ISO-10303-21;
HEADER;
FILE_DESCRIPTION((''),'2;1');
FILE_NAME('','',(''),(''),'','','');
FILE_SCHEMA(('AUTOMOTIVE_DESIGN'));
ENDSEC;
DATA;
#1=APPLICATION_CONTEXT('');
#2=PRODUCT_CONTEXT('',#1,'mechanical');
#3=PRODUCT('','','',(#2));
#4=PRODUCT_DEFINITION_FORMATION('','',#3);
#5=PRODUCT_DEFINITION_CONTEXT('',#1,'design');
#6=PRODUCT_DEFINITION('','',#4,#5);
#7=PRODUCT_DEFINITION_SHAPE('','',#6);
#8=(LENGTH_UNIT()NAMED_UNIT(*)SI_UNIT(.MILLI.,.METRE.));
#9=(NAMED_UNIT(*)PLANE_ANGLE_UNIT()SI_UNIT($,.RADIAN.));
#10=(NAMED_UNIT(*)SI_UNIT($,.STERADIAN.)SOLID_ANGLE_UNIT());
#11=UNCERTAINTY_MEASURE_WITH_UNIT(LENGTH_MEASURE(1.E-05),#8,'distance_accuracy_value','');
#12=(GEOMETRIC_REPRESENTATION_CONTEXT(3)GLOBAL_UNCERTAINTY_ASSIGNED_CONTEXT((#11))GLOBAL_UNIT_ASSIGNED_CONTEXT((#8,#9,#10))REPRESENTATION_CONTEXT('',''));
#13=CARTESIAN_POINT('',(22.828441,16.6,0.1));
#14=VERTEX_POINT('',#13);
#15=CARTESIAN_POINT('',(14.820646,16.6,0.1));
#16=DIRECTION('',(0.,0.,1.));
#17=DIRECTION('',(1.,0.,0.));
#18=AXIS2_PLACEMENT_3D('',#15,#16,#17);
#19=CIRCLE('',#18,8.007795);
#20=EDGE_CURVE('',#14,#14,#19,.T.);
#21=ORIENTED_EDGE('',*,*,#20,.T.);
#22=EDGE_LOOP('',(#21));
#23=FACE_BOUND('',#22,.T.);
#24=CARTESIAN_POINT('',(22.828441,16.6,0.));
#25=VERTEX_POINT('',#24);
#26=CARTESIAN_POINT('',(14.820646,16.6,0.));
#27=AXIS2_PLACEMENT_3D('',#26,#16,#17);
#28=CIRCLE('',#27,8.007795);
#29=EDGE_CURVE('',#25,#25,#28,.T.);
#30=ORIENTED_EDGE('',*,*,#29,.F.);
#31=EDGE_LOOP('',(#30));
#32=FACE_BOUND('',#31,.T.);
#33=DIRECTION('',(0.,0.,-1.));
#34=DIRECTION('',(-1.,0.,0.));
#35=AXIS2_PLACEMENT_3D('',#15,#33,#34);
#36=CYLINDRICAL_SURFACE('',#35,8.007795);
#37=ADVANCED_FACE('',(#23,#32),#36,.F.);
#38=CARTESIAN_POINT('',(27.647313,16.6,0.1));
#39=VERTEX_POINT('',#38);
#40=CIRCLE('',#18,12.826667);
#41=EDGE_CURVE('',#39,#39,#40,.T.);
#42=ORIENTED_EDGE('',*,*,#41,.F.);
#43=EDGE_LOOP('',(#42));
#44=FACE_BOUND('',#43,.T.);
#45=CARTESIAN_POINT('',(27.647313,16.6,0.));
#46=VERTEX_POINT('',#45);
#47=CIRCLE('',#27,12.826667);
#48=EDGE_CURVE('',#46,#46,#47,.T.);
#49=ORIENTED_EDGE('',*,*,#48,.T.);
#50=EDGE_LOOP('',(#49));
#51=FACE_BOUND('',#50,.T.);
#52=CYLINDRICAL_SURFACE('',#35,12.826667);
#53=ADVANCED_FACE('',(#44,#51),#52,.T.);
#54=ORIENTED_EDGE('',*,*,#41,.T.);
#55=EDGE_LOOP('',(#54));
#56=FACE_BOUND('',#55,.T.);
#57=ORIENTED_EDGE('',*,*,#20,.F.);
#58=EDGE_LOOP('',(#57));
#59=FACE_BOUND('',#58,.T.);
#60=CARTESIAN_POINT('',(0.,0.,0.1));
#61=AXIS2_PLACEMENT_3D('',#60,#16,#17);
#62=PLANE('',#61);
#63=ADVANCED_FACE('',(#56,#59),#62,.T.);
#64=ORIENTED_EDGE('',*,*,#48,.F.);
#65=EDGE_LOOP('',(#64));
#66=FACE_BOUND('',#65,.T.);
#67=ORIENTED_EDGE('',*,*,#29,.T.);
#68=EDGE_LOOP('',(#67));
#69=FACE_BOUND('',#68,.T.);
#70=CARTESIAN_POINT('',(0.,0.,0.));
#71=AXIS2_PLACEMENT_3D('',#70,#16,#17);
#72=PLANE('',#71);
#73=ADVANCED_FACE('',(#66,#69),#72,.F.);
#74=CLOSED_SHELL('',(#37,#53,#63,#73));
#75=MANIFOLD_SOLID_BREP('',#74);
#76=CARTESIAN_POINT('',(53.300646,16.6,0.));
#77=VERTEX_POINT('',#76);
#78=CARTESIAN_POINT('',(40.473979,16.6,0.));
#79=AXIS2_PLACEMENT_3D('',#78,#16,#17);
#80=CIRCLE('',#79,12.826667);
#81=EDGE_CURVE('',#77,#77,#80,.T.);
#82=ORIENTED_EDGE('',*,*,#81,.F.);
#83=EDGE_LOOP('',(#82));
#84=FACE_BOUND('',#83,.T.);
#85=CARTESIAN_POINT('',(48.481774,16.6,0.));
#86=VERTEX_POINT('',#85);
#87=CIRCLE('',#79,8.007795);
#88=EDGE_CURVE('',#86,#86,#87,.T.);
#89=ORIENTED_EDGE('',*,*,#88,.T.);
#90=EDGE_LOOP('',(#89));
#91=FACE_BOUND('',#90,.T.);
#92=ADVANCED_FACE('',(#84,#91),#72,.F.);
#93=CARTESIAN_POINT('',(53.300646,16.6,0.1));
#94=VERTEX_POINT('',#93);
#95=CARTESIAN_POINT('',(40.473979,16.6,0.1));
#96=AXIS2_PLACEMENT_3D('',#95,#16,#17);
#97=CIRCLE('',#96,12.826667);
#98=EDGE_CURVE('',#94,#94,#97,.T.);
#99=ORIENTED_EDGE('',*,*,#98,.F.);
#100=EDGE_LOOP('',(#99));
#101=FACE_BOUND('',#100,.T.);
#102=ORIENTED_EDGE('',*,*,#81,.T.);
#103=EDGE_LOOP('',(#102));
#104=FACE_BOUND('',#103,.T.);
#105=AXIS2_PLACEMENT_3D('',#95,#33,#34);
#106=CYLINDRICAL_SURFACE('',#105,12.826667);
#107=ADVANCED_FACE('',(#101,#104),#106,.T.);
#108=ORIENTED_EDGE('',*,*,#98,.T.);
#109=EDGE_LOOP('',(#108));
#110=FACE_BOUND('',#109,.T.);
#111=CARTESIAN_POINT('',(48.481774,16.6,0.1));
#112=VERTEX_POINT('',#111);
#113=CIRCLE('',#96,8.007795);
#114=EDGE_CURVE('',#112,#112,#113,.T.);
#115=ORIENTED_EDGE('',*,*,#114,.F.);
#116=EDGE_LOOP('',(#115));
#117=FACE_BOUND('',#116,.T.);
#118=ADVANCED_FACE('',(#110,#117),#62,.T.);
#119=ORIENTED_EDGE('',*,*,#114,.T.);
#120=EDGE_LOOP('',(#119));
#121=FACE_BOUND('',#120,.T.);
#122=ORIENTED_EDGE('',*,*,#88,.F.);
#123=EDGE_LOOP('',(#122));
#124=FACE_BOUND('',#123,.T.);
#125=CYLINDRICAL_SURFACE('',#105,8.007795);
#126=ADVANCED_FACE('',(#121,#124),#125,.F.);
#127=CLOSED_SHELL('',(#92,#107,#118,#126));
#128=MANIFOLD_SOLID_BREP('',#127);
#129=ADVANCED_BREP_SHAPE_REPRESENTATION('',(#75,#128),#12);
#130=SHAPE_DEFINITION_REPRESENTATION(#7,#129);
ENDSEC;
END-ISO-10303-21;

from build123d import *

# Parameters (mm, degrees)
MODEL_R                   = 12.826666667
MODEL_R_2                 = 8.007794723
SALIENTE_EXTRUIR1_DEPTH   = 0.1
SALIENTE_EXTRUIR1_2_DEPTH = 0.1


with BuildPart() as part:
    # Model → Saliente-Extruir1 (new body)
    with BuildSketch(Plane.XY):
        with Locations((14.820646032, 16.6)):
            Circle(MODEL_R)
        with Locations((14.820646032, 16.6)):
            Circle(MODEL_R_2, mode=Mode.SUBTRACT)
    extrude(amount=SALIENTE_EXTRUIR1_DEPTH)


with BuildPart() as body_2:
    # Model → Saliente-Extruir1 2 (new body)
    with BuildSketch(Plane.XY):
        with Locations((40.473979365, 16.6)):
            Circle(MODEL_R)
        with Locations((40.473979365, 16.6)):
            Circle(MODEL_R_2, mode=Mode.SUBTRACT)
    extrude(amount=SALIENTE_EXTRUIR1_2_DEPTH)


solid = Compound([part.part, body_2.part])
